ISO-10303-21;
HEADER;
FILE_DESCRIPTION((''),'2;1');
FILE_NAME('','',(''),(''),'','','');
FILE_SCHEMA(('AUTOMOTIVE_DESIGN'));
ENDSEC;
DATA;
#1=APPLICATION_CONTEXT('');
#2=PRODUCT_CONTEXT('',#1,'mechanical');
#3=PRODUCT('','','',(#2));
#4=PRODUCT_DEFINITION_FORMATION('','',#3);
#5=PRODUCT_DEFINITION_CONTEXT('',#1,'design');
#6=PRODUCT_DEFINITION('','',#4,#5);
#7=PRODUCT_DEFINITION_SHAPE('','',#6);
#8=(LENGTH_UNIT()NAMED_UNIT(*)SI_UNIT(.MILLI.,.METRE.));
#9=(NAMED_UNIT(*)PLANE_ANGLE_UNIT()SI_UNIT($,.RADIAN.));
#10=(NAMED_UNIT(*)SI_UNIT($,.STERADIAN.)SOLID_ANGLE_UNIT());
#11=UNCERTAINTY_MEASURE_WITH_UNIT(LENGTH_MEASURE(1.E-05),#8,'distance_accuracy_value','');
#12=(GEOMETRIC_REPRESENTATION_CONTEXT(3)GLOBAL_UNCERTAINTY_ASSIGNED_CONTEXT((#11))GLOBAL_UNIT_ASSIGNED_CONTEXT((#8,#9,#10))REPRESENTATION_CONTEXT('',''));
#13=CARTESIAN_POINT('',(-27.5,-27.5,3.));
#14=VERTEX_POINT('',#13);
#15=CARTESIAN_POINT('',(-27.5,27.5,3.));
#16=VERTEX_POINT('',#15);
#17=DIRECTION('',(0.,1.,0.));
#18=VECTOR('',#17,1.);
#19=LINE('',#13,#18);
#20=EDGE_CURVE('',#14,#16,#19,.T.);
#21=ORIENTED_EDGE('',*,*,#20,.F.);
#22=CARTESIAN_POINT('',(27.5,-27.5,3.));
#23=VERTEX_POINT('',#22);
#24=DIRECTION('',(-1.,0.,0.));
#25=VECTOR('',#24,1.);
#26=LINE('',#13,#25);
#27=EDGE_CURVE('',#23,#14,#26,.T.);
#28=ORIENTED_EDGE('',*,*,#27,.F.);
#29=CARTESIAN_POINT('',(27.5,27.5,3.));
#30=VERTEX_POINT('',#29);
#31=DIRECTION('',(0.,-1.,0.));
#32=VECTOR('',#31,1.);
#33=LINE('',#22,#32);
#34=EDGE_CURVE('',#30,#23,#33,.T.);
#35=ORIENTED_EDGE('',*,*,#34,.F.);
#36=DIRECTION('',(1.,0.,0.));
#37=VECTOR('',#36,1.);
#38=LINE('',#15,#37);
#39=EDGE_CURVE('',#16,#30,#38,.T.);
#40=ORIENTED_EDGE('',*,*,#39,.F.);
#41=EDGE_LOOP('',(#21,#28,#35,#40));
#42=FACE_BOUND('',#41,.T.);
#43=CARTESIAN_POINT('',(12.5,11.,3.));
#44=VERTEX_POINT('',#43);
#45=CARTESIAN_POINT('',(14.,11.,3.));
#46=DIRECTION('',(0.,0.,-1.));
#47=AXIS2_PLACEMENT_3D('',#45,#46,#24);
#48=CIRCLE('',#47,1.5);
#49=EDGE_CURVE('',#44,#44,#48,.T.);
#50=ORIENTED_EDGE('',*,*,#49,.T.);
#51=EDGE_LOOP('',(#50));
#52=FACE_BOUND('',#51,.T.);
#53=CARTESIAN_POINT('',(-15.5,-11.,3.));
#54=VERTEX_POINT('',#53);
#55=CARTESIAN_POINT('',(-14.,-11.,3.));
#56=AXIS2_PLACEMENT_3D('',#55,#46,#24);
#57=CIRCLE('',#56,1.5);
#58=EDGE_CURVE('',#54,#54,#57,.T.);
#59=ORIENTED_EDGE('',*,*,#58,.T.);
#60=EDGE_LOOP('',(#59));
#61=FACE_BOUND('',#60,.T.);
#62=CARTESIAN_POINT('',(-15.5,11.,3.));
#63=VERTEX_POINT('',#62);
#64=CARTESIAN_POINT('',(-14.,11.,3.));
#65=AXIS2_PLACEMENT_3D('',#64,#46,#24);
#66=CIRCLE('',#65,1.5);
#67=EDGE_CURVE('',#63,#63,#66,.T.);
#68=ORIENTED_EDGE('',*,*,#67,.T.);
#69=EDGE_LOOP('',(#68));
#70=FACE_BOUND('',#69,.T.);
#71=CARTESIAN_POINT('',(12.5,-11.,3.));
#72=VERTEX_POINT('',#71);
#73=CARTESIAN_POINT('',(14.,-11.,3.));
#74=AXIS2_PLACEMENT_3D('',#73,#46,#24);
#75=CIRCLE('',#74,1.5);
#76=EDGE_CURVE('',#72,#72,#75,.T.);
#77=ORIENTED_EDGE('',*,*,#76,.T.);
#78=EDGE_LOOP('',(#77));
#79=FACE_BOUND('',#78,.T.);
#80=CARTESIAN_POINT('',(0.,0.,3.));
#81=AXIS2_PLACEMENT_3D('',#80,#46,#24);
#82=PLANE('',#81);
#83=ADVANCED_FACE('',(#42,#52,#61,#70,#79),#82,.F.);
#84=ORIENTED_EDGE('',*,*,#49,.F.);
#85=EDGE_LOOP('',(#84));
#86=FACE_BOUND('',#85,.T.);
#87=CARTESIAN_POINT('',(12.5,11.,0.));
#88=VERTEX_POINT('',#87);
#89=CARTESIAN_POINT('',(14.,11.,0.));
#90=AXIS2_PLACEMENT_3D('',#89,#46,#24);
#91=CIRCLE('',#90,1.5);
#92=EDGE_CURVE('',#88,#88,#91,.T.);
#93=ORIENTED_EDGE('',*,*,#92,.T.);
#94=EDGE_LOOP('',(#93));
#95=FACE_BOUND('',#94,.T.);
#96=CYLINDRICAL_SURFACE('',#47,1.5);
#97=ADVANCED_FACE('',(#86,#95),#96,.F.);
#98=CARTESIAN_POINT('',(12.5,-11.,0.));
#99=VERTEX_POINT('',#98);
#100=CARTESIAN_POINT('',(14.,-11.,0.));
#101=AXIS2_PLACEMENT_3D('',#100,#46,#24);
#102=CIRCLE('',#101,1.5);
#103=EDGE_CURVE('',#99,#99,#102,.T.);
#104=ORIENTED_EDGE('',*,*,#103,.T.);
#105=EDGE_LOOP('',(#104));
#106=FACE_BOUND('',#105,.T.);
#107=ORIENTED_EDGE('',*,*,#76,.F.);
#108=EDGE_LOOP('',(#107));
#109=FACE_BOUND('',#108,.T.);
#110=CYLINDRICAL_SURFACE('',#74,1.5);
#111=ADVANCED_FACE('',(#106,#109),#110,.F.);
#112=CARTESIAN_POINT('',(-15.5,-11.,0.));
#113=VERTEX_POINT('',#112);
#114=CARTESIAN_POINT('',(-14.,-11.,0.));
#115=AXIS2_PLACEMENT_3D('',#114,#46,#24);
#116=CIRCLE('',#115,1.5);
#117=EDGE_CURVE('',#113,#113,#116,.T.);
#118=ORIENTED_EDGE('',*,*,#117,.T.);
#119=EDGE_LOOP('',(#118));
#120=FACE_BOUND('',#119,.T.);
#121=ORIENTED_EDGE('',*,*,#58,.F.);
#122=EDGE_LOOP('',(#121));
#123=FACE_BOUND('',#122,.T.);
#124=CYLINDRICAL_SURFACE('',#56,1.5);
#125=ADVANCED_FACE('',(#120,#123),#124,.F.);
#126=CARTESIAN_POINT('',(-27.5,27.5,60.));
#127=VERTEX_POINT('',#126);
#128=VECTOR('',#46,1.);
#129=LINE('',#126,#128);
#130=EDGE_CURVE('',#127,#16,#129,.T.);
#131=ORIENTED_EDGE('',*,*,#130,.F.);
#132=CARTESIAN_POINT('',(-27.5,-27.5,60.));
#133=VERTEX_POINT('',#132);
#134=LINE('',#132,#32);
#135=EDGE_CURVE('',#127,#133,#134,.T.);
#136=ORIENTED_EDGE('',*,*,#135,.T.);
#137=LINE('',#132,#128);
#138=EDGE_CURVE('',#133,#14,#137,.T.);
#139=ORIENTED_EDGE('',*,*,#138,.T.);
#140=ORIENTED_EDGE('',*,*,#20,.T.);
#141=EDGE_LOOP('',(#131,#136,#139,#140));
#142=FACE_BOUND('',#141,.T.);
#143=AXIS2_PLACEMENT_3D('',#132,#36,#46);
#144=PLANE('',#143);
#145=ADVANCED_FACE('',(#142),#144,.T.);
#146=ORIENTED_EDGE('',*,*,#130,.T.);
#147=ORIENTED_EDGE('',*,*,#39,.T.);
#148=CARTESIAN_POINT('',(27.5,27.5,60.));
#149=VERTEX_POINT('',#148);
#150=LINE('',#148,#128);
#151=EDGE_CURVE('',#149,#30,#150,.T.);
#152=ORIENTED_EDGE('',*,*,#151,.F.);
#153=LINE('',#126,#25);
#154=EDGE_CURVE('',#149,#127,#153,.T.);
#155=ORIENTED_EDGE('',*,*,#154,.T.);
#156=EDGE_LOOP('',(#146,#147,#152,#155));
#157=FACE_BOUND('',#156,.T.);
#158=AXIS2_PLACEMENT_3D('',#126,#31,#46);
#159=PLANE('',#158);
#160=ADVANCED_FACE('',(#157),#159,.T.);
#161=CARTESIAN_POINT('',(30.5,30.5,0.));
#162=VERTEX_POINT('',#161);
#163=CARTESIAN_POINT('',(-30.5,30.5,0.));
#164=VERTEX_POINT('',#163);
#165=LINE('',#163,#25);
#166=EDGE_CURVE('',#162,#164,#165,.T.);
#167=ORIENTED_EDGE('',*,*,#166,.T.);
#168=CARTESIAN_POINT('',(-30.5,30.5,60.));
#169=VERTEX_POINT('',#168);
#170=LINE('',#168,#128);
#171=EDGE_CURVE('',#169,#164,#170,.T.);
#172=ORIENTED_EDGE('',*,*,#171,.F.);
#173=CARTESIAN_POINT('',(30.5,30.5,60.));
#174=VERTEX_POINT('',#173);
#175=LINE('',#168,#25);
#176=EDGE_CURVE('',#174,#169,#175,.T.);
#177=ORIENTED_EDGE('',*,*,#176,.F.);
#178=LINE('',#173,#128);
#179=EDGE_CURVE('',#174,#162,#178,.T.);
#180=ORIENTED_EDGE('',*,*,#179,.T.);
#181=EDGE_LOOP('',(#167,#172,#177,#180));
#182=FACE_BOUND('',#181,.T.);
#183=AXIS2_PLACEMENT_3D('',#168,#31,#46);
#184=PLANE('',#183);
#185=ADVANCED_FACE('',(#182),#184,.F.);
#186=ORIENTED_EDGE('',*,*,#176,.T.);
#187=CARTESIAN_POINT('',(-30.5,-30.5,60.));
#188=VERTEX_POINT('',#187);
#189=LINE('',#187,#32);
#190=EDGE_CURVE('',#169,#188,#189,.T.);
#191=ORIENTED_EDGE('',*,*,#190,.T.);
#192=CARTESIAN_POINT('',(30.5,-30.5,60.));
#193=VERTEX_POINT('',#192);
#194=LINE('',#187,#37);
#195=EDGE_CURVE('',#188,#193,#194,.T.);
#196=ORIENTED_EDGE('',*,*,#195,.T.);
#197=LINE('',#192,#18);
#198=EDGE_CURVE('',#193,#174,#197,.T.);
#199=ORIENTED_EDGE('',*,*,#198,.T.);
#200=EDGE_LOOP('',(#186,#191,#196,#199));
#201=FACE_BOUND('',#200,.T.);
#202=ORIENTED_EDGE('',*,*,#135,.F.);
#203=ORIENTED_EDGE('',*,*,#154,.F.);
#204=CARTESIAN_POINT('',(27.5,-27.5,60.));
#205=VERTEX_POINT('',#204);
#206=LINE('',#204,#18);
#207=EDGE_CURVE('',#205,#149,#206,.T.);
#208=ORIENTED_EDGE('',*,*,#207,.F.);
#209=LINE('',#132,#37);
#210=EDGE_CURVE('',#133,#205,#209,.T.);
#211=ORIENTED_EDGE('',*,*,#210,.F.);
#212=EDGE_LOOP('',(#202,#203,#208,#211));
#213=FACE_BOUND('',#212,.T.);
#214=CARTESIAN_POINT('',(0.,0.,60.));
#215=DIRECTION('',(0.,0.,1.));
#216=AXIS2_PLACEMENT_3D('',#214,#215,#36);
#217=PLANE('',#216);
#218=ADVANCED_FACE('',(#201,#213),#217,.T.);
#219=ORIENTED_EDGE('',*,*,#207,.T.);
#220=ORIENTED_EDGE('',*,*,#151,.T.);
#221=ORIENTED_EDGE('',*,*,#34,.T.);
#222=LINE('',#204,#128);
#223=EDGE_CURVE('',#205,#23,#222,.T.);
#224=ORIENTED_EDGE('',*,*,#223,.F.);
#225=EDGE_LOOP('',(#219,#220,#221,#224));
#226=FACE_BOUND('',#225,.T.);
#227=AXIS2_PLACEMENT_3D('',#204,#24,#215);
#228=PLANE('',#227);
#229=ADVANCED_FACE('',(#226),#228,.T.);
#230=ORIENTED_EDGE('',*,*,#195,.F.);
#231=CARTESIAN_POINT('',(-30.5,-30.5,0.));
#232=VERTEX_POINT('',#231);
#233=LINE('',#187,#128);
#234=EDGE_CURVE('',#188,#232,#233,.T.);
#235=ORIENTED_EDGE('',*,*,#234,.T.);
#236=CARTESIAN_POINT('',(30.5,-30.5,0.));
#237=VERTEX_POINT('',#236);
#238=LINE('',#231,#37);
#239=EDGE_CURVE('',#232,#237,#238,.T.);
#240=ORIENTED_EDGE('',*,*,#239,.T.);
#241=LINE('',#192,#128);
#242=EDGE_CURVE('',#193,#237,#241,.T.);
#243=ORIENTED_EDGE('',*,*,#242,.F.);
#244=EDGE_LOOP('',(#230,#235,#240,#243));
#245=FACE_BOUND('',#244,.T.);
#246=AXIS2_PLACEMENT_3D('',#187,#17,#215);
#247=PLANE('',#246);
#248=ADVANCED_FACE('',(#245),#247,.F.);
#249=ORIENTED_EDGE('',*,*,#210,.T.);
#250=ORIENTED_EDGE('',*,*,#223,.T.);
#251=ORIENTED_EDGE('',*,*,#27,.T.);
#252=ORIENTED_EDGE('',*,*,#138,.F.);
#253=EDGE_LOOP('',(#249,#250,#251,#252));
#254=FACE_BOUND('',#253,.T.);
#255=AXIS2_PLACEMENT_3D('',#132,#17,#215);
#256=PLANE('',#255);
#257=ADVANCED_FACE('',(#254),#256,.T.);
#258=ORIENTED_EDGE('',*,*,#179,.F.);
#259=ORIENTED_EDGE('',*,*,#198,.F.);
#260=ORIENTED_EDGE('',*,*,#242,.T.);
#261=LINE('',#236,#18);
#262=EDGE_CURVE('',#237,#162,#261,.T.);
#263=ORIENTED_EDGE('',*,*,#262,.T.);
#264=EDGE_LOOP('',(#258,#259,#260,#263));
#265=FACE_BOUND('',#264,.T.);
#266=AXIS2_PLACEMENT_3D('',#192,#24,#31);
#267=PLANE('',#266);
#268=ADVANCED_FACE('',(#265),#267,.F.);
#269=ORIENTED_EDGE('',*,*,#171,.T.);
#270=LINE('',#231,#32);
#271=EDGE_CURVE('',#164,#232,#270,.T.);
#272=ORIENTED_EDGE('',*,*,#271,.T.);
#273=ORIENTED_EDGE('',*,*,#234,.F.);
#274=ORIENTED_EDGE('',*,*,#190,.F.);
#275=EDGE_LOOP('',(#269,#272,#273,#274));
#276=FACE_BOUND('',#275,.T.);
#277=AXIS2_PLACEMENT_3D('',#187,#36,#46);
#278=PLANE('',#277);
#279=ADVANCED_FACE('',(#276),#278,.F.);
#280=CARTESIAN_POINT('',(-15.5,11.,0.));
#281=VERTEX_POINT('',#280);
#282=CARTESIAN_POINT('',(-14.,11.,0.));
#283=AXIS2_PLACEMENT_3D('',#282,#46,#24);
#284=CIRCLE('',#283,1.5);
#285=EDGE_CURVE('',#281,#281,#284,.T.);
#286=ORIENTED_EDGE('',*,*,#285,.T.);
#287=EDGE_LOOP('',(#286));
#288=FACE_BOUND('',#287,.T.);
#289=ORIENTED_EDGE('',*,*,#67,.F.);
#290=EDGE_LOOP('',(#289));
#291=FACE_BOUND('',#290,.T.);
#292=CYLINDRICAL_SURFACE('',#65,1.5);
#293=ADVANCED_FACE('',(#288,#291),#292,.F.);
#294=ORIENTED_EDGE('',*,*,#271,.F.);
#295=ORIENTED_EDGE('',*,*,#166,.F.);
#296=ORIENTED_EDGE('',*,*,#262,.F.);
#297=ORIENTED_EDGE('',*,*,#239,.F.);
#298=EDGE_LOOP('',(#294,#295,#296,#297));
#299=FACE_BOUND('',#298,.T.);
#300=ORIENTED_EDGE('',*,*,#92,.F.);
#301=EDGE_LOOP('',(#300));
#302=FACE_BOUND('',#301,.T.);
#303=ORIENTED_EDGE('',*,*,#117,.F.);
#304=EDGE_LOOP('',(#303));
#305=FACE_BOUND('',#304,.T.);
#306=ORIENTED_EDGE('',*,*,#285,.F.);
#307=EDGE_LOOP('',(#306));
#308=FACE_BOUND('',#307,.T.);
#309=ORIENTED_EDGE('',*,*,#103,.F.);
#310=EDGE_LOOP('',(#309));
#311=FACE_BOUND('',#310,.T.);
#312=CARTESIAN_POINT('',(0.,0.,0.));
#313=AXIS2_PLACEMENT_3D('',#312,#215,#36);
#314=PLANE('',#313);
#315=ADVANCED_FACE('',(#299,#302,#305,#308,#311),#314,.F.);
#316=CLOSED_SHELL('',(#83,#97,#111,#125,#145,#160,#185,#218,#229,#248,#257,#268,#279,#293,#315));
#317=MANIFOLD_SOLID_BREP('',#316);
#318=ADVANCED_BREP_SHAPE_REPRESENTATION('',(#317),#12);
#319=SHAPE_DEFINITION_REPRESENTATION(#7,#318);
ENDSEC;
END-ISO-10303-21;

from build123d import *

# Parameters (mm, degrees)
SKETCH1_W           = 61
SKETCH1_H           = 61
SKETCH1_W_2         = 55
SKETCH1_H_2         = 55
BOSS_EXTRUDE1_DEPTH = 60
SKETCH2_W           = 61
SKETCH2_H           = 61
BOSS_EXTRUDE2_DEPTH = 3
CUT_EXTRUDE1_DEPTH  = 3


with BuildPart() as part:
    # Sketch1 → Boss-Extrude1 (new body)
    with BuildSketch(Plane.XY):
        Rectangle(SKETCH1_W, SKETCH1_H)
        Rectangle(SKETCH1_W_2, SKETCH1_H_2, mode=Mode.SUBTRACT)
    extrude(amount=BOSS_EXTRUDE1_DEPTH)

    # Sketch2 → Boss-Extrude2 (add)
    with BuildSketch(Plane(origin=(0, 0, 0), x_dir=(-1, 0, 0), z_dir=(0, 0, -1))):
        Rectangle(SKETCH2_W, SKETCH2_H)
    extrude(amount=-BOSS_EXTRUDE2_DEPTH)

    # Sketch3 → Cut-Extrude1 (cut)
    with BuildSketch(Plane(origin=(0, 0, 0), x_dir=(-1, 0, 0), z_dir=(0, 0, -1))):
        with BuildLine():
            ThreePointArc((14, -9.5), (12.939339828, -9.939339828), (12.5, -11))
            Line((12.5, -11), (14, -11))
            Line((14, -11), (14, -9.5))
        make_face()
        with BuildLine():
            Line((14, -11), (12.5, -11))
            ThreePointArc((12.5, -11), (14, -12.5), (15.5, -11))
            ThreePointArc((15.5, -11), (15.060660172, -9.939339828), (14, -9.5))
            Line((14, -9.5), (14, -11))
        make_face()
        with BuildLine():
            Line((-14, -9.5), (-14, -11))
            Line((-14, -11), (-12.5, -11))
            ThreePointArc((-12.5, -11), (-12.939339828, -9.939339828), (-14, -9.5))
        make_face()
        with BuildLine():
            Line((-12.5, -11), (-14, -11))
            Line((-14, -11), (-14, -9.5))
            ThreePointArc((-14, -9.5), (-15.060660172, -12.060660172), (-12.5, -11))
        make_face()
        with BuildLine():
            ThreePointArc((12.5, 11), (12.939339828, 9.939339828), (14, 9.5))
            Line((14, 9.5), (14, 11))
            Line((14, 11), (12.5, 11))
        make_face()
        with BuildLine():
            Line((14, 11), (14, 9.5))
            ThreePointArc((14, 9.5), (15.060660172, 9.939339828), (15.5, 11))
            ThreePointArc((15.5, 11), (14, 12.5), (12.5, 11))
            Line((12.5, 11), (14, 11))
        make_face()
        with BuildLine():
            ThreePointArc((-12.5, 11), (-15.060660172, 12.060660172), (-14, 9.5))
            Line((-14, 9.5), (-14, 11))
            Line((-14, 11), (-12.5, 11))
        make_face()
        with BuildLine():
            Line((-14, 11), (-14, 9.5))
            ThreePointArc((-14, 9.5), (-12.939339828, 9.939339828), (-12.5, 11))
            Line((-12.5, 11), (-14, 11))
        make_face()
    extrude(amount=-CUT_EXTRUDE1_DEPTH, mode=Mode.SUBTRACT)


solid = part.part
